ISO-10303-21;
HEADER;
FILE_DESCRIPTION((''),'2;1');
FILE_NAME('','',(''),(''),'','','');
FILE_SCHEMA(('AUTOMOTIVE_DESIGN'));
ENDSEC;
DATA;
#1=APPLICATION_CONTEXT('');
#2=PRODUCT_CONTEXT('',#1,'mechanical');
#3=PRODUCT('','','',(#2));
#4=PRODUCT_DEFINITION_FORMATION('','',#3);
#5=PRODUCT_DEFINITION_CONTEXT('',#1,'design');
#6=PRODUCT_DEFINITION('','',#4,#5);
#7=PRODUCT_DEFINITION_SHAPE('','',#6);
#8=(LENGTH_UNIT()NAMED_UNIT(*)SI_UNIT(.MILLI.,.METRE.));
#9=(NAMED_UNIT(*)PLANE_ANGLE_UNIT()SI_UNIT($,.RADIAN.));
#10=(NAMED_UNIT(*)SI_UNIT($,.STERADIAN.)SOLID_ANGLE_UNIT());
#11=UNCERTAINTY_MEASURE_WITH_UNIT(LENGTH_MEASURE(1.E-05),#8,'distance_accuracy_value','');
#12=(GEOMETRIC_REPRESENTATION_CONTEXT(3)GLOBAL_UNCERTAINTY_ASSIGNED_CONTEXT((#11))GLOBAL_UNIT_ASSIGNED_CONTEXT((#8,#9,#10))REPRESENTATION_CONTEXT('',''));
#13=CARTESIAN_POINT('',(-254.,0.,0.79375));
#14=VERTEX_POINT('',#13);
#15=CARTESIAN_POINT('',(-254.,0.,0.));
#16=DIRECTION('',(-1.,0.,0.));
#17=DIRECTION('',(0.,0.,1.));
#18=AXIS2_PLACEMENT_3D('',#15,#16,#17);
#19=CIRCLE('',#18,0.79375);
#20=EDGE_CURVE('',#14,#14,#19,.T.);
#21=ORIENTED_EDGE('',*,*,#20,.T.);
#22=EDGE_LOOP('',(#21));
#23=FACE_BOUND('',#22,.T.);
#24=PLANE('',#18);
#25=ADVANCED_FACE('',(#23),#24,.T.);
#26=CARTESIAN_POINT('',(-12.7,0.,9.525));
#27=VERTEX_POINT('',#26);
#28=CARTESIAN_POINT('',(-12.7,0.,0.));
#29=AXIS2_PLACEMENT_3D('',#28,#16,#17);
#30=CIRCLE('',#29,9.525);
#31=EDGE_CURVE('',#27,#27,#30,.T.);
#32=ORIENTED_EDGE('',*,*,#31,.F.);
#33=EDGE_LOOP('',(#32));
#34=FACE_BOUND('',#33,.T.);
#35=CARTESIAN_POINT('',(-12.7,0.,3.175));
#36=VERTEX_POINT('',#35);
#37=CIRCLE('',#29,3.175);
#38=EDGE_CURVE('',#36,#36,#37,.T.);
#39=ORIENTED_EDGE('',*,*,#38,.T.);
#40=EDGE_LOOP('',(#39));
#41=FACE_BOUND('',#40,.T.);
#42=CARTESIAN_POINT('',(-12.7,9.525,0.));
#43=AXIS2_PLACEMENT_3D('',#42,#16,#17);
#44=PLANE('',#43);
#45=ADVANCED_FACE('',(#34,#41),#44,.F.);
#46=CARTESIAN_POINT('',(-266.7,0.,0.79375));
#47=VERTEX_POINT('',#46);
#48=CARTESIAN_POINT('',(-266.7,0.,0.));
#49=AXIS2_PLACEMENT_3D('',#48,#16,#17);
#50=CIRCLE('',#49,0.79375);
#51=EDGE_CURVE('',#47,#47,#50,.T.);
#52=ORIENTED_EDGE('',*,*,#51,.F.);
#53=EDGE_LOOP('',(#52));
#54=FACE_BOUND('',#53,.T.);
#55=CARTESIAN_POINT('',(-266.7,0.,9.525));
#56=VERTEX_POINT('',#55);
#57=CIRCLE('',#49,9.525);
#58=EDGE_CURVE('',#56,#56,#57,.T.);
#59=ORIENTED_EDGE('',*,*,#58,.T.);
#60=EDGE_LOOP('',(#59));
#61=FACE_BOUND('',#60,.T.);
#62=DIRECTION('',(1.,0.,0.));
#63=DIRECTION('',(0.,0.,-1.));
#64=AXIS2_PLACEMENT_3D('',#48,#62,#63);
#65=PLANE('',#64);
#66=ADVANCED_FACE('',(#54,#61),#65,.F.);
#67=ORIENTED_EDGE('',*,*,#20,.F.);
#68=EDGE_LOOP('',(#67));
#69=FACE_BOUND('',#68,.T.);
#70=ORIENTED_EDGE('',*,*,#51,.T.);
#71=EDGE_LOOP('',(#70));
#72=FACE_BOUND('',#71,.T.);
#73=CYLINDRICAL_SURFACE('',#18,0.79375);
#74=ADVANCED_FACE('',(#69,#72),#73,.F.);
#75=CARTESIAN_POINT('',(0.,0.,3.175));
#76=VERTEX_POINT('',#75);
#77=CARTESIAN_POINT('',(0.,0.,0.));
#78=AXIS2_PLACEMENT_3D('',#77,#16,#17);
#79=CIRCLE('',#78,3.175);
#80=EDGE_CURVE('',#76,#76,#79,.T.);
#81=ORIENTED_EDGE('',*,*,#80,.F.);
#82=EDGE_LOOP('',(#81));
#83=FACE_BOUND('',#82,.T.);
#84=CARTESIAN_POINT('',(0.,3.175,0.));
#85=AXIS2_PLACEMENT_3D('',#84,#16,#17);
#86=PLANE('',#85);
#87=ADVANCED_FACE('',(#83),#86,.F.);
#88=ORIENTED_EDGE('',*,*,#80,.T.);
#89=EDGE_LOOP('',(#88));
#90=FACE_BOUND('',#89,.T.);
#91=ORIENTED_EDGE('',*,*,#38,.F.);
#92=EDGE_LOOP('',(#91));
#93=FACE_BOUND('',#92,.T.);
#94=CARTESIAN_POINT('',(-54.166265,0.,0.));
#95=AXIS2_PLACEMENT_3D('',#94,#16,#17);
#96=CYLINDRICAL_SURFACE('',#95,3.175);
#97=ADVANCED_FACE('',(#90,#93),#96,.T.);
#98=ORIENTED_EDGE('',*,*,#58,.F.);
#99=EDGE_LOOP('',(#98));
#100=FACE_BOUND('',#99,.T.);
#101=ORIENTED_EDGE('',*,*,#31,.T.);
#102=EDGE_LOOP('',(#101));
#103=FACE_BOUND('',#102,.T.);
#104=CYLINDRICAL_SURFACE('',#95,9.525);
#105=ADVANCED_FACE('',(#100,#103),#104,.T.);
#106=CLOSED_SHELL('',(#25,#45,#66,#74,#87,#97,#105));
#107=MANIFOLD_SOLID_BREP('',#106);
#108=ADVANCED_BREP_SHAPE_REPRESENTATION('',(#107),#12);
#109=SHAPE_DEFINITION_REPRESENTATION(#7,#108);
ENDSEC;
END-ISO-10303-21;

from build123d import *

# Parameters (mm, degrees)
SKETCH2_R          = 0.79375
CUT_EXTRUDE1_DEPTH = 12.7


with BuildPart() as part:
    # Sketch1 → Revolve1 (revolve)
    with BuildSketch(Plane.XY, mode=Mode.PRIVATE) as revolve1_sk:
        Polygon((-266.7, 0), (-266.7, 9.525), (-12.7, 9.525), (-12.7, 3.175), (0, 3.175), (0, 0), align=None)
    revolve(revolve1_sk.sketch.rotate(Axis((-54.16626506, 0, 0), (1, 0, 0)), 90), axis=Axis((-54.16626506, 0, 0), (1, 0, 0)))

    # Sketch2 → Cut-Extrude1 (cut)
    with BuildSketch(Plane.ZY.offset(266.7)):
        Circle(SKETCH2_R)
    extrude(amount=-CUT_EXTRUDE1_DEPTH, mode=Mode.SUBTRACT)


solid = part.part
